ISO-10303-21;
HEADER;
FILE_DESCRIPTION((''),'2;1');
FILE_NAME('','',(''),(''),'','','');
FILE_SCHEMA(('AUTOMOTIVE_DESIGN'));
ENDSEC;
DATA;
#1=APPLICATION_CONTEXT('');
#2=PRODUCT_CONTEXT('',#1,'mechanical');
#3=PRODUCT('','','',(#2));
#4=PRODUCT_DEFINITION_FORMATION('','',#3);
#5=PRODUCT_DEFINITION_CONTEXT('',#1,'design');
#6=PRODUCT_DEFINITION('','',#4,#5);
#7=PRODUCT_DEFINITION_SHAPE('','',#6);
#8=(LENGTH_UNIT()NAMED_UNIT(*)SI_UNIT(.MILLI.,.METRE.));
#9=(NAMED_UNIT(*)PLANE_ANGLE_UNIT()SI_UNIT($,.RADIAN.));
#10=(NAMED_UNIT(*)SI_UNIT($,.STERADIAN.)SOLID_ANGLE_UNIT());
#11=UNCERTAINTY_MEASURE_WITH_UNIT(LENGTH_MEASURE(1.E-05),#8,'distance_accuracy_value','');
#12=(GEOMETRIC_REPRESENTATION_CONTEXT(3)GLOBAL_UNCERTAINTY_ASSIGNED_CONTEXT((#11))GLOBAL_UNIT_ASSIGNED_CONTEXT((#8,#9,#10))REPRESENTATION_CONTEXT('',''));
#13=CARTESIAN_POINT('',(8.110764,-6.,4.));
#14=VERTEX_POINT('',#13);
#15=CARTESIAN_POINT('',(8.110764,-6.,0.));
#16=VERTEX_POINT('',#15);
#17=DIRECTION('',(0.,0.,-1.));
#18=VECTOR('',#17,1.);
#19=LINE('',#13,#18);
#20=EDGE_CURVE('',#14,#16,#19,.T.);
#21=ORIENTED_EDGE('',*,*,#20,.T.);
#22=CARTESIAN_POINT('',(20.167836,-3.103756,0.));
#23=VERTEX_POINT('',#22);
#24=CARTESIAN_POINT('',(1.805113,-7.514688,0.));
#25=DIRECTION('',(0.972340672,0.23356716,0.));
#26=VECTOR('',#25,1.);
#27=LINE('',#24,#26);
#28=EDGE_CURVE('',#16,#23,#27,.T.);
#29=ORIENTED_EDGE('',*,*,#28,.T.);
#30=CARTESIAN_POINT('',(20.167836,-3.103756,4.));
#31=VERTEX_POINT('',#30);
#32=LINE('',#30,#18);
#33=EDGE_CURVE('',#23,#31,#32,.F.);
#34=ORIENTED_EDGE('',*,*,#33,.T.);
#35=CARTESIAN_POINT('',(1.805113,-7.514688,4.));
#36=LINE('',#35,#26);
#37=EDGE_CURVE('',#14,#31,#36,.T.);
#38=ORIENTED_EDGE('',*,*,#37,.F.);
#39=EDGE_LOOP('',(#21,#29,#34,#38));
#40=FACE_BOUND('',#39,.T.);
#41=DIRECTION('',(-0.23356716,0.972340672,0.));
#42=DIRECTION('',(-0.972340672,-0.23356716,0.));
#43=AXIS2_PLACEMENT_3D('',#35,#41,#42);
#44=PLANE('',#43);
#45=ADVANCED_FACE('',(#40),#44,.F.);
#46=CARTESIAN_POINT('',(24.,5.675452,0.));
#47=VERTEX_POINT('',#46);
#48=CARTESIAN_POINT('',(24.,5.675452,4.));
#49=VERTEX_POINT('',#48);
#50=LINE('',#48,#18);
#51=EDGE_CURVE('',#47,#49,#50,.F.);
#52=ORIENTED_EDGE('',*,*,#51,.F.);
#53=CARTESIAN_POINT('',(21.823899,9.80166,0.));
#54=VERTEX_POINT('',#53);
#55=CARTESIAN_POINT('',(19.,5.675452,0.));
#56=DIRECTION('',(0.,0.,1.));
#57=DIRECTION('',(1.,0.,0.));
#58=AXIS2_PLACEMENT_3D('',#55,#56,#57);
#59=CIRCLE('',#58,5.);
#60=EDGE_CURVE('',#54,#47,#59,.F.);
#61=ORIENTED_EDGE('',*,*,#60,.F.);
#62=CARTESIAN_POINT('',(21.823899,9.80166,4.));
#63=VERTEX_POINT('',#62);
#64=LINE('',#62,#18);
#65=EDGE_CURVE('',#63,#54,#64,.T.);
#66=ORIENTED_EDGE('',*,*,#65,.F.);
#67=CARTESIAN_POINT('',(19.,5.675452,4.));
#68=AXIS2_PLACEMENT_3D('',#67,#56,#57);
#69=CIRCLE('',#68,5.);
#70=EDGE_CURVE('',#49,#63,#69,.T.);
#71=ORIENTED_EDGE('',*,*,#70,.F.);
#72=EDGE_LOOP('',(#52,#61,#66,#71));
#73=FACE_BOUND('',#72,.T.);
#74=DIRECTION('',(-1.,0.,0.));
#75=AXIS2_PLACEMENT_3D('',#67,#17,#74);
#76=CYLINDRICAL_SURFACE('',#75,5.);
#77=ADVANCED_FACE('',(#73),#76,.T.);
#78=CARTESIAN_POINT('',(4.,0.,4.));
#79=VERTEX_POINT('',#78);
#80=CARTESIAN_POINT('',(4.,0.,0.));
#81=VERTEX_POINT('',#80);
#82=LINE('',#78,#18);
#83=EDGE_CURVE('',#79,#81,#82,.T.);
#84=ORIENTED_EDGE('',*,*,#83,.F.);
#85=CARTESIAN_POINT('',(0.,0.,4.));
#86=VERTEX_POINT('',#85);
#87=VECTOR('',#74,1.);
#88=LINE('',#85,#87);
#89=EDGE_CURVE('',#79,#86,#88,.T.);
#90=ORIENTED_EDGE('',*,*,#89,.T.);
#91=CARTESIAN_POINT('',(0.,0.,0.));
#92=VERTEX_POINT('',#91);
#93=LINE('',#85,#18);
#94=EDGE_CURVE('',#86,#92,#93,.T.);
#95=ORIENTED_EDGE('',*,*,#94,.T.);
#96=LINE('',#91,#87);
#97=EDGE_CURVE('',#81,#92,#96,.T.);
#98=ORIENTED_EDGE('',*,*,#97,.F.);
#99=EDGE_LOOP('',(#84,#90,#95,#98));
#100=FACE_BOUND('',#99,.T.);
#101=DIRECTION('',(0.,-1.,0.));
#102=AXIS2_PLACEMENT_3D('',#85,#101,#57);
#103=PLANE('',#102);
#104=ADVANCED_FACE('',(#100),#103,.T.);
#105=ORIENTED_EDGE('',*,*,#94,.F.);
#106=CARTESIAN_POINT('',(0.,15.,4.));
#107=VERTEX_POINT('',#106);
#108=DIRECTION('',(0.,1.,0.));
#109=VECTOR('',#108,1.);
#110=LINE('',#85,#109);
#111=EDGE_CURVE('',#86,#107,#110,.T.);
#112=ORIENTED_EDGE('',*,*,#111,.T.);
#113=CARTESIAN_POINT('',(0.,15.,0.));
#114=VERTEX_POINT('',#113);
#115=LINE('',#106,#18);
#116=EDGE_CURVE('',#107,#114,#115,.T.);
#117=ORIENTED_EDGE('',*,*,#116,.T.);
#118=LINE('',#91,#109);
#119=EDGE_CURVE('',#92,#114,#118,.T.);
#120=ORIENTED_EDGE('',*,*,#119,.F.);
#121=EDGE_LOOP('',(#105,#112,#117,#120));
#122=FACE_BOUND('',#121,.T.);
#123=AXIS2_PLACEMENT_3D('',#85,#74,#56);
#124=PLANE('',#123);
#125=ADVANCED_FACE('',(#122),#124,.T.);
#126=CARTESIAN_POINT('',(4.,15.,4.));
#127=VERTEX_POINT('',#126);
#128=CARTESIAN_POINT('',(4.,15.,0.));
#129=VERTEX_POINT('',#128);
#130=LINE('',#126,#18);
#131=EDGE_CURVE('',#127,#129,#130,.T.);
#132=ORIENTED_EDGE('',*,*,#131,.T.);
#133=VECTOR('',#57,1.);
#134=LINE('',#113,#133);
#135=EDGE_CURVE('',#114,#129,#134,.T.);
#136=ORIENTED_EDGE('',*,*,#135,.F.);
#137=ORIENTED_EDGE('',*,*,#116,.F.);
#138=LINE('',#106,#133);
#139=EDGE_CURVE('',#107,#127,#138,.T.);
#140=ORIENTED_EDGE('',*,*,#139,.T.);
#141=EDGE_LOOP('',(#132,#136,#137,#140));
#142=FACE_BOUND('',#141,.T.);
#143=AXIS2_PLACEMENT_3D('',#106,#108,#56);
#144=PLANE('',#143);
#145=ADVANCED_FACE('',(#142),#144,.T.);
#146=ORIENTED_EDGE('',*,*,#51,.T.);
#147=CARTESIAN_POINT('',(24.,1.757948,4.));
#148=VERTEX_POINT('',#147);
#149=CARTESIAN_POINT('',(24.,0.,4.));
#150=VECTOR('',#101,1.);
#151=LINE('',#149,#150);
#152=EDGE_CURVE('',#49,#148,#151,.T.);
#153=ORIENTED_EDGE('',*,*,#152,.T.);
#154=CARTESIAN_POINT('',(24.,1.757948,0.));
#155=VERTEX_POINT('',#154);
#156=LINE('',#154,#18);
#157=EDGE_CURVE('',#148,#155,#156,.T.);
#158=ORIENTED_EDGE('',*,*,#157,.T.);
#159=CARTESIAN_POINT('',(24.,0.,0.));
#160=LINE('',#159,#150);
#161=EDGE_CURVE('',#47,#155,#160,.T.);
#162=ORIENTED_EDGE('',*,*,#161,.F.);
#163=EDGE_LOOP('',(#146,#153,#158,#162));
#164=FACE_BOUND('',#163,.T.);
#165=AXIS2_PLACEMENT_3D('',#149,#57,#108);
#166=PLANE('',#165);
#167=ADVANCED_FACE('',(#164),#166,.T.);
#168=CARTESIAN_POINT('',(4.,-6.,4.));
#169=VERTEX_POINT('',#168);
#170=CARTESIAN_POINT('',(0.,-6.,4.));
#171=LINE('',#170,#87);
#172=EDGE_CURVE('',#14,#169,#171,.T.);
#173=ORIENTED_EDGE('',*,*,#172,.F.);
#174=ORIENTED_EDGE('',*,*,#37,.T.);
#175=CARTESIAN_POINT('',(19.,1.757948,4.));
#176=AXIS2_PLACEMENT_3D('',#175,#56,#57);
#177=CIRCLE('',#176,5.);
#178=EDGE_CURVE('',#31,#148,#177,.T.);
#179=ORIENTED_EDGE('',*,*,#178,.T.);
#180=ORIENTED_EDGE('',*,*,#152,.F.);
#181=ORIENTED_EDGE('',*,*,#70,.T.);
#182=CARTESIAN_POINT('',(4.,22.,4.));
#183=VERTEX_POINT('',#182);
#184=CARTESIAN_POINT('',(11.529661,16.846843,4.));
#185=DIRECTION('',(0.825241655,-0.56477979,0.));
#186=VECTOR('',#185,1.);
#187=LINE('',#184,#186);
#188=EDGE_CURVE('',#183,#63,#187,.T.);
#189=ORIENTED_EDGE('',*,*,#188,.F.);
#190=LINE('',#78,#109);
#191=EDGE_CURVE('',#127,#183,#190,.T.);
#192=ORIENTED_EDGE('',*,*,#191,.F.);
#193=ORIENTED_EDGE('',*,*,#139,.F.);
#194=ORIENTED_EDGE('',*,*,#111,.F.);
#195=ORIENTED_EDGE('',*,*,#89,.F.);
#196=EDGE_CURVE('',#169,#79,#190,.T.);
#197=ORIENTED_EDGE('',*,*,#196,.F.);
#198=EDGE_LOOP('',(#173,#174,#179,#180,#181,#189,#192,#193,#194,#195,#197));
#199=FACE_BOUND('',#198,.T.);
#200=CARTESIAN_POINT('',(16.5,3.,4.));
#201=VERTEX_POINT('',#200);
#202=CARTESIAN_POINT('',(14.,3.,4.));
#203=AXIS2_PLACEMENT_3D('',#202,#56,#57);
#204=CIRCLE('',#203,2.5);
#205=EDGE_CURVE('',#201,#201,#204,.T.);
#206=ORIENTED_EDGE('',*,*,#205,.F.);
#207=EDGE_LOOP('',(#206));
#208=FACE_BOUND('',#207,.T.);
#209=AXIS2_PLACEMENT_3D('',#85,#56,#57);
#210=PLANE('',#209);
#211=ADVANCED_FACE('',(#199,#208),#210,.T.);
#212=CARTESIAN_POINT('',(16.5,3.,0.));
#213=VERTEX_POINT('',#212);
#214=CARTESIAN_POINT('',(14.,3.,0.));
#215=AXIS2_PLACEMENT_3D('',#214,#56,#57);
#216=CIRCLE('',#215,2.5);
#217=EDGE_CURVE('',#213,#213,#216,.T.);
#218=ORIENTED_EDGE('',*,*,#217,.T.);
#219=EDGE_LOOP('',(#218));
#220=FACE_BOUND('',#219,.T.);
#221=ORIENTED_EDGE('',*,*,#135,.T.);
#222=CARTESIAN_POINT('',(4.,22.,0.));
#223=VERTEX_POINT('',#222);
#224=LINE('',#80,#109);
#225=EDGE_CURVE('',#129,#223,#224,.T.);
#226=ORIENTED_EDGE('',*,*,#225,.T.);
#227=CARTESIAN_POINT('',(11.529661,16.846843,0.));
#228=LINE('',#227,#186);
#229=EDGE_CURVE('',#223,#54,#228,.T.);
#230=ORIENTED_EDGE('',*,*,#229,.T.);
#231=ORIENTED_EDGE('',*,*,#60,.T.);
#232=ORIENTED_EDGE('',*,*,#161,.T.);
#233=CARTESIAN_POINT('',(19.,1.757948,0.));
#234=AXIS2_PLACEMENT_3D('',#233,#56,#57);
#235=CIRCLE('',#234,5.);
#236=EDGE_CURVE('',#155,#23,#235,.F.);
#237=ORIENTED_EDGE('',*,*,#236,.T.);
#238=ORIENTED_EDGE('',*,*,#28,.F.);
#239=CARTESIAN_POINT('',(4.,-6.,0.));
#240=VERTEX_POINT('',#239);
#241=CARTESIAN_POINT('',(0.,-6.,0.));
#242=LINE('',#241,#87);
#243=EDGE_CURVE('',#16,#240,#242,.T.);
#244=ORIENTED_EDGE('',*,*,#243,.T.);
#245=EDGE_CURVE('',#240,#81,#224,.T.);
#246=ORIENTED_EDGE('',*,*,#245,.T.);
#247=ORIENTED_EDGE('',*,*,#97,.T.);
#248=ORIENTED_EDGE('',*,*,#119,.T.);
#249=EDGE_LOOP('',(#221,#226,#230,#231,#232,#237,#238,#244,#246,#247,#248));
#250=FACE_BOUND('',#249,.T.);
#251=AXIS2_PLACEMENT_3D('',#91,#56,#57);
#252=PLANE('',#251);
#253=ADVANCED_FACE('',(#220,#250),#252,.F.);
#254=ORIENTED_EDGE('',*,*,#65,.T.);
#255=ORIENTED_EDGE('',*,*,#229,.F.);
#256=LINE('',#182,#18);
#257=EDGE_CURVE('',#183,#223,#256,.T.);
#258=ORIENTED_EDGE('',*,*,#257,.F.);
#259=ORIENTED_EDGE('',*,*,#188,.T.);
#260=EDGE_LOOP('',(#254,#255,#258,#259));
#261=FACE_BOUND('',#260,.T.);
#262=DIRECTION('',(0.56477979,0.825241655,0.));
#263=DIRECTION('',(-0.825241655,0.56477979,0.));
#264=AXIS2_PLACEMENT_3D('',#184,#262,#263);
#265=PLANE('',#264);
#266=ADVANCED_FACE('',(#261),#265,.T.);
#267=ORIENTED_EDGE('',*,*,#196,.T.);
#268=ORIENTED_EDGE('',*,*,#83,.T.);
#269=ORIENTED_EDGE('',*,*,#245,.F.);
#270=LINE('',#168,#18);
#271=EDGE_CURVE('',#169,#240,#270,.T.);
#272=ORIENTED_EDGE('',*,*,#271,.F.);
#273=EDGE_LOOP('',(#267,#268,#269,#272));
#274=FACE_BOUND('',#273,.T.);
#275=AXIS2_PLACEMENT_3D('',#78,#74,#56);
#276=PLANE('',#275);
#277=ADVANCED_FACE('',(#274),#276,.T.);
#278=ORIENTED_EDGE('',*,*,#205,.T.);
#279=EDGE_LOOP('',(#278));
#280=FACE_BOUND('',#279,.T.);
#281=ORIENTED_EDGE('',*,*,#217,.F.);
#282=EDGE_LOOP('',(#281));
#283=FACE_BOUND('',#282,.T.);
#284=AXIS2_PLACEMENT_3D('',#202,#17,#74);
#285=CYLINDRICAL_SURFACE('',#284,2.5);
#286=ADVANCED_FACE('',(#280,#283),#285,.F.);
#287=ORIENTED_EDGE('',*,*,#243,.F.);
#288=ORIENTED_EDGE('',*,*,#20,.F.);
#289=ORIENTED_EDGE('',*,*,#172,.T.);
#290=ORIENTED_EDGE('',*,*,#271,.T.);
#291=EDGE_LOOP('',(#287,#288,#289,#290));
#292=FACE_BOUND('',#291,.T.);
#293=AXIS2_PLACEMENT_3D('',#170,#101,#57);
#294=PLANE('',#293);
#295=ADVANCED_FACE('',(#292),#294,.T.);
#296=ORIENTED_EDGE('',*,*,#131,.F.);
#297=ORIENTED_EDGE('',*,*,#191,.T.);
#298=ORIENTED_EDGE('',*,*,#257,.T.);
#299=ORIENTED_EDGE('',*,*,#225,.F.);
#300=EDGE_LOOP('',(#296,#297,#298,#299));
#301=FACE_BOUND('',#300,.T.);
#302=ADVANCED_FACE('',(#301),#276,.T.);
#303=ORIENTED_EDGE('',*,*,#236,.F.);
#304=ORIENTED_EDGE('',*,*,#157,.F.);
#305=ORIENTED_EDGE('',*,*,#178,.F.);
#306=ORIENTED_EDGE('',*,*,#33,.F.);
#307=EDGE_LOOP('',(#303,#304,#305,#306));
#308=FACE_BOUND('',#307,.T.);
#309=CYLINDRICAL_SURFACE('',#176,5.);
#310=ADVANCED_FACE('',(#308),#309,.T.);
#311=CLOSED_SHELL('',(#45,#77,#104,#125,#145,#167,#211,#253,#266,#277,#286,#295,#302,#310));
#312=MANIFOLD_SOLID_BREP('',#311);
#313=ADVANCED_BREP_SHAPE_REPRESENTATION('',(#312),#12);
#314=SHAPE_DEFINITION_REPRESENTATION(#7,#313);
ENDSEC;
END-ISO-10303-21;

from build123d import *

# Parameters (mm, degrees)
SKETCH_1_R      = 2.5
EXTRUDE_1_DEPTH = 4
FILLET_1_R      = 5


with BuildPart() as part:
    # ｽｹｯﾁ1 → ﾎﾞｽ - 押し出し1 (new body)
    with BuildSketch(Plane.XY):
        Polygon((0, 15), (0, 0), (4, 0), (4, -6), (8.110763801, -6), (24, -2.18322685), (24, 8.312378031), (4, 22), (4, 15), align=None)
        with Locations((14, 3)):
            Circle(SKETCH_1_R, mode=Mode.SUBTRACT)
    extrude(amount=EXTRUDE_1_DEPTH)

    # ﾌｨﾚｯﾄ1
    fillet_1_edges = [part.edges().sort_by_distance(p)[0] for p in [
        (24, -2.18322685, 2),
        (24, 8.312378031, 2),
    ]]
    fillet(fillet_1_edges, radius=FILLET_1_R)


solid = part.part
